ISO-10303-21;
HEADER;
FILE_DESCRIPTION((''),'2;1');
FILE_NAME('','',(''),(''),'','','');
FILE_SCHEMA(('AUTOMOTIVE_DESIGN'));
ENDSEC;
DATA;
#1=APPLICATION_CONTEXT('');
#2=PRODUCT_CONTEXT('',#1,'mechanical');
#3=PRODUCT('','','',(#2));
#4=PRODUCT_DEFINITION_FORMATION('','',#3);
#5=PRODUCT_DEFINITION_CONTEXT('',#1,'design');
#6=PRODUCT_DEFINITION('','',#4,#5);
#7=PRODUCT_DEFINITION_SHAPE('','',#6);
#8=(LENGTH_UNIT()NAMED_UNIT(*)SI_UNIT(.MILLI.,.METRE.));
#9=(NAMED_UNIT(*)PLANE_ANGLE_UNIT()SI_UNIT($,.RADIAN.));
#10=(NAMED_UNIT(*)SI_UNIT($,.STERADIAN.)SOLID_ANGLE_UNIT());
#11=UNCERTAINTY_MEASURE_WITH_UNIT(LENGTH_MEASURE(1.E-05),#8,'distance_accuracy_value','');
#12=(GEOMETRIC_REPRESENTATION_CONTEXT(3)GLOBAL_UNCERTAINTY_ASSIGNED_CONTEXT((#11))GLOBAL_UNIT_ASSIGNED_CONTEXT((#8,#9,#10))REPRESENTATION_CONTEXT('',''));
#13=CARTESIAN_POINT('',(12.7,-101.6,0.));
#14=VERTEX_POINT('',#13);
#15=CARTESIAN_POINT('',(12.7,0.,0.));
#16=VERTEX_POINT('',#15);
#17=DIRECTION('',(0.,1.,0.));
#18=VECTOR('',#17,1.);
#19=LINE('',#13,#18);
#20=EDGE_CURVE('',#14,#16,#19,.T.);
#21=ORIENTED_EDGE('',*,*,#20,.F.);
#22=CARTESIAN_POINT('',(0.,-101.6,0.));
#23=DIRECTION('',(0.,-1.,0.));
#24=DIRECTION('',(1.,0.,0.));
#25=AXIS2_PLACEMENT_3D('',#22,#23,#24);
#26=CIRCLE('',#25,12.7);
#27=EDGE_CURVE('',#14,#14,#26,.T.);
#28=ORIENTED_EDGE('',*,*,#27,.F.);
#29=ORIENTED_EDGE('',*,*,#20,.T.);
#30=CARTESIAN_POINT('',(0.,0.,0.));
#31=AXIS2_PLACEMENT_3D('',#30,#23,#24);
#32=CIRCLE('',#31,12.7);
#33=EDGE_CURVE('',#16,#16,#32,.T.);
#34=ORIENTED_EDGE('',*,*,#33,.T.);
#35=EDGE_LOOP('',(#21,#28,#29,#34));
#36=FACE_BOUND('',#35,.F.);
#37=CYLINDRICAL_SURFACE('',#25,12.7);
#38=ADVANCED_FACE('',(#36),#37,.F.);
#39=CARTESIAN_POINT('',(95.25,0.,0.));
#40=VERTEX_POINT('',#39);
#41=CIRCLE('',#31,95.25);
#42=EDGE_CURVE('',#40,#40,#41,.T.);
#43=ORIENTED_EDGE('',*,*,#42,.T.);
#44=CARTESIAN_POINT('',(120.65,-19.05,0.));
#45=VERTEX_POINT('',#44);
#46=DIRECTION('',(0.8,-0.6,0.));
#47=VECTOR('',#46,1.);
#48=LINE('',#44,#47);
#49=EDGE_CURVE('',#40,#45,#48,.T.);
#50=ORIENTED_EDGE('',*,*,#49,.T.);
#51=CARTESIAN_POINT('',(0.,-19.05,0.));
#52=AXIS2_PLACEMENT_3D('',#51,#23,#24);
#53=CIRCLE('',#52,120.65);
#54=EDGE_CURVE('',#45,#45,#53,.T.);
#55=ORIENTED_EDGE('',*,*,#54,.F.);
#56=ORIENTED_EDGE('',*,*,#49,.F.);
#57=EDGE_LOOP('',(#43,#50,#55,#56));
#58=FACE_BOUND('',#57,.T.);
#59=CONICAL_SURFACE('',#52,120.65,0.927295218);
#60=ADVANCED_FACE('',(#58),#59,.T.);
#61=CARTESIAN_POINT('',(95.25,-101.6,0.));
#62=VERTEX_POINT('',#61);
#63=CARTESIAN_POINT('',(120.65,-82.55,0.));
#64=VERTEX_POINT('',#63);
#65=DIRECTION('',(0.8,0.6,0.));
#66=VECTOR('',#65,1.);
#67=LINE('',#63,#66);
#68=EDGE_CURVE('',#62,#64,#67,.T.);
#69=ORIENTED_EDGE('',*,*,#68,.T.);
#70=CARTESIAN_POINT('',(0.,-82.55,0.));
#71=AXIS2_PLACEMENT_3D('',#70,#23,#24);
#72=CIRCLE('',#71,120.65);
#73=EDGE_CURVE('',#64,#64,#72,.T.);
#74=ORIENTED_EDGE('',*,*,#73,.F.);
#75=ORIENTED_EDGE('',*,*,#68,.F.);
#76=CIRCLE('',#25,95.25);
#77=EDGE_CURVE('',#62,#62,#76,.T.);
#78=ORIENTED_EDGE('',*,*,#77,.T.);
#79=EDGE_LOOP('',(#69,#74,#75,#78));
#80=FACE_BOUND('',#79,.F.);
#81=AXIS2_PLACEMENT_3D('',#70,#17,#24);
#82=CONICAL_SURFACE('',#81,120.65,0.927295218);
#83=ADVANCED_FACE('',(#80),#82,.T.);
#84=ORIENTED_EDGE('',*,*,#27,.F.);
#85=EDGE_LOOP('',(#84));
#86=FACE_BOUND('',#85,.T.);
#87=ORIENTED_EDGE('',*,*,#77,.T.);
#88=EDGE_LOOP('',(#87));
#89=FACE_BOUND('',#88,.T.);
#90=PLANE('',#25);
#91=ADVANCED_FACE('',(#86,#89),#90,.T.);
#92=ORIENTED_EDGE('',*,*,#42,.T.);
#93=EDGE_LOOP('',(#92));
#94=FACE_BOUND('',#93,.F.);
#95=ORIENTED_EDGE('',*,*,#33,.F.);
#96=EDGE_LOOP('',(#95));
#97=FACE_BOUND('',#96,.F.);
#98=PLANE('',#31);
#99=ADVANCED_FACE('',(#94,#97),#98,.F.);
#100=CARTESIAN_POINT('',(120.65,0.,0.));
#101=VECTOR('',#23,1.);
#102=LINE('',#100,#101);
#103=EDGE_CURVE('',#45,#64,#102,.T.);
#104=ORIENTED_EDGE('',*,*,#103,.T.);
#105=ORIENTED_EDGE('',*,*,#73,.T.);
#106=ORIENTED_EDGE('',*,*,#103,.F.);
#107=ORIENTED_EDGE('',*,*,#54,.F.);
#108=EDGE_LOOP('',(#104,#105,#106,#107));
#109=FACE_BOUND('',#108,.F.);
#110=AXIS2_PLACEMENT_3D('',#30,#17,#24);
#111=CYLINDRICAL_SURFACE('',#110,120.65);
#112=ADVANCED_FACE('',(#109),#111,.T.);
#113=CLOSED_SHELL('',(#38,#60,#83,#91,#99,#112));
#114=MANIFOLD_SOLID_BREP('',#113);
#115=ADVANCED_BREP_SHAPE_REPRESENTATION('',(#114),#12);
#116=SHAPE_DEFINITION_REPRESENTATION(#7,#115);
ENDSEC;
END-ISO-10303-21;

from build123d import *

# Parameters (mm, degrees)
F0_R       = 120.65
F1_DEPTH   = 101.6
F2_SIZE2   = 19.05
F2_SIZE    = 25.4
F2_2_SIZE2 = 19.05
F2_2_SIZE  = 25.4
F3_R       = 12.7
F4_DEPTH   = 101.6


with BuildPart() as f1:
    # F0 (on Front) → F1 (new body)
    with BuildSketch(Plane.XZ):
        Circle(F0_R)
    extrude(amount=F1_DEPTH)

    # F2
    f2_edges = [f1.edges().sort_by_distance(p)[0] for p in [
        (-120.65, -101.6, 0),
    ]]
    f2_side = f1.faces().sort_by_distance((0, -101.6, 0))[0]
    chamfer(f2_edges, length=F2_SIZE, length2=F2_SIZE2, reference=f2_side)

    # F2#2
    f2_2_edges = [f1.edges().sort_by_distance(p)[0] for p in [
        (-120.65, 0, 0),
    ]]
    f2_2_side = f1.faces().sort_by_distance((0, 0, 0))[0]
    chamfer(f2_2_edges, length=F2_2_SIZE, length2=F2_2_SIZE2, reference=f2_2_side)

    # F3 (on face) → F4 (cut, through all)
    with BuildSketch(Plane.XZ.offset(101.6)):
        Circle(F3_R)
    extrude(amount=-F4_DEPTH, mode=Mode.SUBTRACT)


solid = f1.part
